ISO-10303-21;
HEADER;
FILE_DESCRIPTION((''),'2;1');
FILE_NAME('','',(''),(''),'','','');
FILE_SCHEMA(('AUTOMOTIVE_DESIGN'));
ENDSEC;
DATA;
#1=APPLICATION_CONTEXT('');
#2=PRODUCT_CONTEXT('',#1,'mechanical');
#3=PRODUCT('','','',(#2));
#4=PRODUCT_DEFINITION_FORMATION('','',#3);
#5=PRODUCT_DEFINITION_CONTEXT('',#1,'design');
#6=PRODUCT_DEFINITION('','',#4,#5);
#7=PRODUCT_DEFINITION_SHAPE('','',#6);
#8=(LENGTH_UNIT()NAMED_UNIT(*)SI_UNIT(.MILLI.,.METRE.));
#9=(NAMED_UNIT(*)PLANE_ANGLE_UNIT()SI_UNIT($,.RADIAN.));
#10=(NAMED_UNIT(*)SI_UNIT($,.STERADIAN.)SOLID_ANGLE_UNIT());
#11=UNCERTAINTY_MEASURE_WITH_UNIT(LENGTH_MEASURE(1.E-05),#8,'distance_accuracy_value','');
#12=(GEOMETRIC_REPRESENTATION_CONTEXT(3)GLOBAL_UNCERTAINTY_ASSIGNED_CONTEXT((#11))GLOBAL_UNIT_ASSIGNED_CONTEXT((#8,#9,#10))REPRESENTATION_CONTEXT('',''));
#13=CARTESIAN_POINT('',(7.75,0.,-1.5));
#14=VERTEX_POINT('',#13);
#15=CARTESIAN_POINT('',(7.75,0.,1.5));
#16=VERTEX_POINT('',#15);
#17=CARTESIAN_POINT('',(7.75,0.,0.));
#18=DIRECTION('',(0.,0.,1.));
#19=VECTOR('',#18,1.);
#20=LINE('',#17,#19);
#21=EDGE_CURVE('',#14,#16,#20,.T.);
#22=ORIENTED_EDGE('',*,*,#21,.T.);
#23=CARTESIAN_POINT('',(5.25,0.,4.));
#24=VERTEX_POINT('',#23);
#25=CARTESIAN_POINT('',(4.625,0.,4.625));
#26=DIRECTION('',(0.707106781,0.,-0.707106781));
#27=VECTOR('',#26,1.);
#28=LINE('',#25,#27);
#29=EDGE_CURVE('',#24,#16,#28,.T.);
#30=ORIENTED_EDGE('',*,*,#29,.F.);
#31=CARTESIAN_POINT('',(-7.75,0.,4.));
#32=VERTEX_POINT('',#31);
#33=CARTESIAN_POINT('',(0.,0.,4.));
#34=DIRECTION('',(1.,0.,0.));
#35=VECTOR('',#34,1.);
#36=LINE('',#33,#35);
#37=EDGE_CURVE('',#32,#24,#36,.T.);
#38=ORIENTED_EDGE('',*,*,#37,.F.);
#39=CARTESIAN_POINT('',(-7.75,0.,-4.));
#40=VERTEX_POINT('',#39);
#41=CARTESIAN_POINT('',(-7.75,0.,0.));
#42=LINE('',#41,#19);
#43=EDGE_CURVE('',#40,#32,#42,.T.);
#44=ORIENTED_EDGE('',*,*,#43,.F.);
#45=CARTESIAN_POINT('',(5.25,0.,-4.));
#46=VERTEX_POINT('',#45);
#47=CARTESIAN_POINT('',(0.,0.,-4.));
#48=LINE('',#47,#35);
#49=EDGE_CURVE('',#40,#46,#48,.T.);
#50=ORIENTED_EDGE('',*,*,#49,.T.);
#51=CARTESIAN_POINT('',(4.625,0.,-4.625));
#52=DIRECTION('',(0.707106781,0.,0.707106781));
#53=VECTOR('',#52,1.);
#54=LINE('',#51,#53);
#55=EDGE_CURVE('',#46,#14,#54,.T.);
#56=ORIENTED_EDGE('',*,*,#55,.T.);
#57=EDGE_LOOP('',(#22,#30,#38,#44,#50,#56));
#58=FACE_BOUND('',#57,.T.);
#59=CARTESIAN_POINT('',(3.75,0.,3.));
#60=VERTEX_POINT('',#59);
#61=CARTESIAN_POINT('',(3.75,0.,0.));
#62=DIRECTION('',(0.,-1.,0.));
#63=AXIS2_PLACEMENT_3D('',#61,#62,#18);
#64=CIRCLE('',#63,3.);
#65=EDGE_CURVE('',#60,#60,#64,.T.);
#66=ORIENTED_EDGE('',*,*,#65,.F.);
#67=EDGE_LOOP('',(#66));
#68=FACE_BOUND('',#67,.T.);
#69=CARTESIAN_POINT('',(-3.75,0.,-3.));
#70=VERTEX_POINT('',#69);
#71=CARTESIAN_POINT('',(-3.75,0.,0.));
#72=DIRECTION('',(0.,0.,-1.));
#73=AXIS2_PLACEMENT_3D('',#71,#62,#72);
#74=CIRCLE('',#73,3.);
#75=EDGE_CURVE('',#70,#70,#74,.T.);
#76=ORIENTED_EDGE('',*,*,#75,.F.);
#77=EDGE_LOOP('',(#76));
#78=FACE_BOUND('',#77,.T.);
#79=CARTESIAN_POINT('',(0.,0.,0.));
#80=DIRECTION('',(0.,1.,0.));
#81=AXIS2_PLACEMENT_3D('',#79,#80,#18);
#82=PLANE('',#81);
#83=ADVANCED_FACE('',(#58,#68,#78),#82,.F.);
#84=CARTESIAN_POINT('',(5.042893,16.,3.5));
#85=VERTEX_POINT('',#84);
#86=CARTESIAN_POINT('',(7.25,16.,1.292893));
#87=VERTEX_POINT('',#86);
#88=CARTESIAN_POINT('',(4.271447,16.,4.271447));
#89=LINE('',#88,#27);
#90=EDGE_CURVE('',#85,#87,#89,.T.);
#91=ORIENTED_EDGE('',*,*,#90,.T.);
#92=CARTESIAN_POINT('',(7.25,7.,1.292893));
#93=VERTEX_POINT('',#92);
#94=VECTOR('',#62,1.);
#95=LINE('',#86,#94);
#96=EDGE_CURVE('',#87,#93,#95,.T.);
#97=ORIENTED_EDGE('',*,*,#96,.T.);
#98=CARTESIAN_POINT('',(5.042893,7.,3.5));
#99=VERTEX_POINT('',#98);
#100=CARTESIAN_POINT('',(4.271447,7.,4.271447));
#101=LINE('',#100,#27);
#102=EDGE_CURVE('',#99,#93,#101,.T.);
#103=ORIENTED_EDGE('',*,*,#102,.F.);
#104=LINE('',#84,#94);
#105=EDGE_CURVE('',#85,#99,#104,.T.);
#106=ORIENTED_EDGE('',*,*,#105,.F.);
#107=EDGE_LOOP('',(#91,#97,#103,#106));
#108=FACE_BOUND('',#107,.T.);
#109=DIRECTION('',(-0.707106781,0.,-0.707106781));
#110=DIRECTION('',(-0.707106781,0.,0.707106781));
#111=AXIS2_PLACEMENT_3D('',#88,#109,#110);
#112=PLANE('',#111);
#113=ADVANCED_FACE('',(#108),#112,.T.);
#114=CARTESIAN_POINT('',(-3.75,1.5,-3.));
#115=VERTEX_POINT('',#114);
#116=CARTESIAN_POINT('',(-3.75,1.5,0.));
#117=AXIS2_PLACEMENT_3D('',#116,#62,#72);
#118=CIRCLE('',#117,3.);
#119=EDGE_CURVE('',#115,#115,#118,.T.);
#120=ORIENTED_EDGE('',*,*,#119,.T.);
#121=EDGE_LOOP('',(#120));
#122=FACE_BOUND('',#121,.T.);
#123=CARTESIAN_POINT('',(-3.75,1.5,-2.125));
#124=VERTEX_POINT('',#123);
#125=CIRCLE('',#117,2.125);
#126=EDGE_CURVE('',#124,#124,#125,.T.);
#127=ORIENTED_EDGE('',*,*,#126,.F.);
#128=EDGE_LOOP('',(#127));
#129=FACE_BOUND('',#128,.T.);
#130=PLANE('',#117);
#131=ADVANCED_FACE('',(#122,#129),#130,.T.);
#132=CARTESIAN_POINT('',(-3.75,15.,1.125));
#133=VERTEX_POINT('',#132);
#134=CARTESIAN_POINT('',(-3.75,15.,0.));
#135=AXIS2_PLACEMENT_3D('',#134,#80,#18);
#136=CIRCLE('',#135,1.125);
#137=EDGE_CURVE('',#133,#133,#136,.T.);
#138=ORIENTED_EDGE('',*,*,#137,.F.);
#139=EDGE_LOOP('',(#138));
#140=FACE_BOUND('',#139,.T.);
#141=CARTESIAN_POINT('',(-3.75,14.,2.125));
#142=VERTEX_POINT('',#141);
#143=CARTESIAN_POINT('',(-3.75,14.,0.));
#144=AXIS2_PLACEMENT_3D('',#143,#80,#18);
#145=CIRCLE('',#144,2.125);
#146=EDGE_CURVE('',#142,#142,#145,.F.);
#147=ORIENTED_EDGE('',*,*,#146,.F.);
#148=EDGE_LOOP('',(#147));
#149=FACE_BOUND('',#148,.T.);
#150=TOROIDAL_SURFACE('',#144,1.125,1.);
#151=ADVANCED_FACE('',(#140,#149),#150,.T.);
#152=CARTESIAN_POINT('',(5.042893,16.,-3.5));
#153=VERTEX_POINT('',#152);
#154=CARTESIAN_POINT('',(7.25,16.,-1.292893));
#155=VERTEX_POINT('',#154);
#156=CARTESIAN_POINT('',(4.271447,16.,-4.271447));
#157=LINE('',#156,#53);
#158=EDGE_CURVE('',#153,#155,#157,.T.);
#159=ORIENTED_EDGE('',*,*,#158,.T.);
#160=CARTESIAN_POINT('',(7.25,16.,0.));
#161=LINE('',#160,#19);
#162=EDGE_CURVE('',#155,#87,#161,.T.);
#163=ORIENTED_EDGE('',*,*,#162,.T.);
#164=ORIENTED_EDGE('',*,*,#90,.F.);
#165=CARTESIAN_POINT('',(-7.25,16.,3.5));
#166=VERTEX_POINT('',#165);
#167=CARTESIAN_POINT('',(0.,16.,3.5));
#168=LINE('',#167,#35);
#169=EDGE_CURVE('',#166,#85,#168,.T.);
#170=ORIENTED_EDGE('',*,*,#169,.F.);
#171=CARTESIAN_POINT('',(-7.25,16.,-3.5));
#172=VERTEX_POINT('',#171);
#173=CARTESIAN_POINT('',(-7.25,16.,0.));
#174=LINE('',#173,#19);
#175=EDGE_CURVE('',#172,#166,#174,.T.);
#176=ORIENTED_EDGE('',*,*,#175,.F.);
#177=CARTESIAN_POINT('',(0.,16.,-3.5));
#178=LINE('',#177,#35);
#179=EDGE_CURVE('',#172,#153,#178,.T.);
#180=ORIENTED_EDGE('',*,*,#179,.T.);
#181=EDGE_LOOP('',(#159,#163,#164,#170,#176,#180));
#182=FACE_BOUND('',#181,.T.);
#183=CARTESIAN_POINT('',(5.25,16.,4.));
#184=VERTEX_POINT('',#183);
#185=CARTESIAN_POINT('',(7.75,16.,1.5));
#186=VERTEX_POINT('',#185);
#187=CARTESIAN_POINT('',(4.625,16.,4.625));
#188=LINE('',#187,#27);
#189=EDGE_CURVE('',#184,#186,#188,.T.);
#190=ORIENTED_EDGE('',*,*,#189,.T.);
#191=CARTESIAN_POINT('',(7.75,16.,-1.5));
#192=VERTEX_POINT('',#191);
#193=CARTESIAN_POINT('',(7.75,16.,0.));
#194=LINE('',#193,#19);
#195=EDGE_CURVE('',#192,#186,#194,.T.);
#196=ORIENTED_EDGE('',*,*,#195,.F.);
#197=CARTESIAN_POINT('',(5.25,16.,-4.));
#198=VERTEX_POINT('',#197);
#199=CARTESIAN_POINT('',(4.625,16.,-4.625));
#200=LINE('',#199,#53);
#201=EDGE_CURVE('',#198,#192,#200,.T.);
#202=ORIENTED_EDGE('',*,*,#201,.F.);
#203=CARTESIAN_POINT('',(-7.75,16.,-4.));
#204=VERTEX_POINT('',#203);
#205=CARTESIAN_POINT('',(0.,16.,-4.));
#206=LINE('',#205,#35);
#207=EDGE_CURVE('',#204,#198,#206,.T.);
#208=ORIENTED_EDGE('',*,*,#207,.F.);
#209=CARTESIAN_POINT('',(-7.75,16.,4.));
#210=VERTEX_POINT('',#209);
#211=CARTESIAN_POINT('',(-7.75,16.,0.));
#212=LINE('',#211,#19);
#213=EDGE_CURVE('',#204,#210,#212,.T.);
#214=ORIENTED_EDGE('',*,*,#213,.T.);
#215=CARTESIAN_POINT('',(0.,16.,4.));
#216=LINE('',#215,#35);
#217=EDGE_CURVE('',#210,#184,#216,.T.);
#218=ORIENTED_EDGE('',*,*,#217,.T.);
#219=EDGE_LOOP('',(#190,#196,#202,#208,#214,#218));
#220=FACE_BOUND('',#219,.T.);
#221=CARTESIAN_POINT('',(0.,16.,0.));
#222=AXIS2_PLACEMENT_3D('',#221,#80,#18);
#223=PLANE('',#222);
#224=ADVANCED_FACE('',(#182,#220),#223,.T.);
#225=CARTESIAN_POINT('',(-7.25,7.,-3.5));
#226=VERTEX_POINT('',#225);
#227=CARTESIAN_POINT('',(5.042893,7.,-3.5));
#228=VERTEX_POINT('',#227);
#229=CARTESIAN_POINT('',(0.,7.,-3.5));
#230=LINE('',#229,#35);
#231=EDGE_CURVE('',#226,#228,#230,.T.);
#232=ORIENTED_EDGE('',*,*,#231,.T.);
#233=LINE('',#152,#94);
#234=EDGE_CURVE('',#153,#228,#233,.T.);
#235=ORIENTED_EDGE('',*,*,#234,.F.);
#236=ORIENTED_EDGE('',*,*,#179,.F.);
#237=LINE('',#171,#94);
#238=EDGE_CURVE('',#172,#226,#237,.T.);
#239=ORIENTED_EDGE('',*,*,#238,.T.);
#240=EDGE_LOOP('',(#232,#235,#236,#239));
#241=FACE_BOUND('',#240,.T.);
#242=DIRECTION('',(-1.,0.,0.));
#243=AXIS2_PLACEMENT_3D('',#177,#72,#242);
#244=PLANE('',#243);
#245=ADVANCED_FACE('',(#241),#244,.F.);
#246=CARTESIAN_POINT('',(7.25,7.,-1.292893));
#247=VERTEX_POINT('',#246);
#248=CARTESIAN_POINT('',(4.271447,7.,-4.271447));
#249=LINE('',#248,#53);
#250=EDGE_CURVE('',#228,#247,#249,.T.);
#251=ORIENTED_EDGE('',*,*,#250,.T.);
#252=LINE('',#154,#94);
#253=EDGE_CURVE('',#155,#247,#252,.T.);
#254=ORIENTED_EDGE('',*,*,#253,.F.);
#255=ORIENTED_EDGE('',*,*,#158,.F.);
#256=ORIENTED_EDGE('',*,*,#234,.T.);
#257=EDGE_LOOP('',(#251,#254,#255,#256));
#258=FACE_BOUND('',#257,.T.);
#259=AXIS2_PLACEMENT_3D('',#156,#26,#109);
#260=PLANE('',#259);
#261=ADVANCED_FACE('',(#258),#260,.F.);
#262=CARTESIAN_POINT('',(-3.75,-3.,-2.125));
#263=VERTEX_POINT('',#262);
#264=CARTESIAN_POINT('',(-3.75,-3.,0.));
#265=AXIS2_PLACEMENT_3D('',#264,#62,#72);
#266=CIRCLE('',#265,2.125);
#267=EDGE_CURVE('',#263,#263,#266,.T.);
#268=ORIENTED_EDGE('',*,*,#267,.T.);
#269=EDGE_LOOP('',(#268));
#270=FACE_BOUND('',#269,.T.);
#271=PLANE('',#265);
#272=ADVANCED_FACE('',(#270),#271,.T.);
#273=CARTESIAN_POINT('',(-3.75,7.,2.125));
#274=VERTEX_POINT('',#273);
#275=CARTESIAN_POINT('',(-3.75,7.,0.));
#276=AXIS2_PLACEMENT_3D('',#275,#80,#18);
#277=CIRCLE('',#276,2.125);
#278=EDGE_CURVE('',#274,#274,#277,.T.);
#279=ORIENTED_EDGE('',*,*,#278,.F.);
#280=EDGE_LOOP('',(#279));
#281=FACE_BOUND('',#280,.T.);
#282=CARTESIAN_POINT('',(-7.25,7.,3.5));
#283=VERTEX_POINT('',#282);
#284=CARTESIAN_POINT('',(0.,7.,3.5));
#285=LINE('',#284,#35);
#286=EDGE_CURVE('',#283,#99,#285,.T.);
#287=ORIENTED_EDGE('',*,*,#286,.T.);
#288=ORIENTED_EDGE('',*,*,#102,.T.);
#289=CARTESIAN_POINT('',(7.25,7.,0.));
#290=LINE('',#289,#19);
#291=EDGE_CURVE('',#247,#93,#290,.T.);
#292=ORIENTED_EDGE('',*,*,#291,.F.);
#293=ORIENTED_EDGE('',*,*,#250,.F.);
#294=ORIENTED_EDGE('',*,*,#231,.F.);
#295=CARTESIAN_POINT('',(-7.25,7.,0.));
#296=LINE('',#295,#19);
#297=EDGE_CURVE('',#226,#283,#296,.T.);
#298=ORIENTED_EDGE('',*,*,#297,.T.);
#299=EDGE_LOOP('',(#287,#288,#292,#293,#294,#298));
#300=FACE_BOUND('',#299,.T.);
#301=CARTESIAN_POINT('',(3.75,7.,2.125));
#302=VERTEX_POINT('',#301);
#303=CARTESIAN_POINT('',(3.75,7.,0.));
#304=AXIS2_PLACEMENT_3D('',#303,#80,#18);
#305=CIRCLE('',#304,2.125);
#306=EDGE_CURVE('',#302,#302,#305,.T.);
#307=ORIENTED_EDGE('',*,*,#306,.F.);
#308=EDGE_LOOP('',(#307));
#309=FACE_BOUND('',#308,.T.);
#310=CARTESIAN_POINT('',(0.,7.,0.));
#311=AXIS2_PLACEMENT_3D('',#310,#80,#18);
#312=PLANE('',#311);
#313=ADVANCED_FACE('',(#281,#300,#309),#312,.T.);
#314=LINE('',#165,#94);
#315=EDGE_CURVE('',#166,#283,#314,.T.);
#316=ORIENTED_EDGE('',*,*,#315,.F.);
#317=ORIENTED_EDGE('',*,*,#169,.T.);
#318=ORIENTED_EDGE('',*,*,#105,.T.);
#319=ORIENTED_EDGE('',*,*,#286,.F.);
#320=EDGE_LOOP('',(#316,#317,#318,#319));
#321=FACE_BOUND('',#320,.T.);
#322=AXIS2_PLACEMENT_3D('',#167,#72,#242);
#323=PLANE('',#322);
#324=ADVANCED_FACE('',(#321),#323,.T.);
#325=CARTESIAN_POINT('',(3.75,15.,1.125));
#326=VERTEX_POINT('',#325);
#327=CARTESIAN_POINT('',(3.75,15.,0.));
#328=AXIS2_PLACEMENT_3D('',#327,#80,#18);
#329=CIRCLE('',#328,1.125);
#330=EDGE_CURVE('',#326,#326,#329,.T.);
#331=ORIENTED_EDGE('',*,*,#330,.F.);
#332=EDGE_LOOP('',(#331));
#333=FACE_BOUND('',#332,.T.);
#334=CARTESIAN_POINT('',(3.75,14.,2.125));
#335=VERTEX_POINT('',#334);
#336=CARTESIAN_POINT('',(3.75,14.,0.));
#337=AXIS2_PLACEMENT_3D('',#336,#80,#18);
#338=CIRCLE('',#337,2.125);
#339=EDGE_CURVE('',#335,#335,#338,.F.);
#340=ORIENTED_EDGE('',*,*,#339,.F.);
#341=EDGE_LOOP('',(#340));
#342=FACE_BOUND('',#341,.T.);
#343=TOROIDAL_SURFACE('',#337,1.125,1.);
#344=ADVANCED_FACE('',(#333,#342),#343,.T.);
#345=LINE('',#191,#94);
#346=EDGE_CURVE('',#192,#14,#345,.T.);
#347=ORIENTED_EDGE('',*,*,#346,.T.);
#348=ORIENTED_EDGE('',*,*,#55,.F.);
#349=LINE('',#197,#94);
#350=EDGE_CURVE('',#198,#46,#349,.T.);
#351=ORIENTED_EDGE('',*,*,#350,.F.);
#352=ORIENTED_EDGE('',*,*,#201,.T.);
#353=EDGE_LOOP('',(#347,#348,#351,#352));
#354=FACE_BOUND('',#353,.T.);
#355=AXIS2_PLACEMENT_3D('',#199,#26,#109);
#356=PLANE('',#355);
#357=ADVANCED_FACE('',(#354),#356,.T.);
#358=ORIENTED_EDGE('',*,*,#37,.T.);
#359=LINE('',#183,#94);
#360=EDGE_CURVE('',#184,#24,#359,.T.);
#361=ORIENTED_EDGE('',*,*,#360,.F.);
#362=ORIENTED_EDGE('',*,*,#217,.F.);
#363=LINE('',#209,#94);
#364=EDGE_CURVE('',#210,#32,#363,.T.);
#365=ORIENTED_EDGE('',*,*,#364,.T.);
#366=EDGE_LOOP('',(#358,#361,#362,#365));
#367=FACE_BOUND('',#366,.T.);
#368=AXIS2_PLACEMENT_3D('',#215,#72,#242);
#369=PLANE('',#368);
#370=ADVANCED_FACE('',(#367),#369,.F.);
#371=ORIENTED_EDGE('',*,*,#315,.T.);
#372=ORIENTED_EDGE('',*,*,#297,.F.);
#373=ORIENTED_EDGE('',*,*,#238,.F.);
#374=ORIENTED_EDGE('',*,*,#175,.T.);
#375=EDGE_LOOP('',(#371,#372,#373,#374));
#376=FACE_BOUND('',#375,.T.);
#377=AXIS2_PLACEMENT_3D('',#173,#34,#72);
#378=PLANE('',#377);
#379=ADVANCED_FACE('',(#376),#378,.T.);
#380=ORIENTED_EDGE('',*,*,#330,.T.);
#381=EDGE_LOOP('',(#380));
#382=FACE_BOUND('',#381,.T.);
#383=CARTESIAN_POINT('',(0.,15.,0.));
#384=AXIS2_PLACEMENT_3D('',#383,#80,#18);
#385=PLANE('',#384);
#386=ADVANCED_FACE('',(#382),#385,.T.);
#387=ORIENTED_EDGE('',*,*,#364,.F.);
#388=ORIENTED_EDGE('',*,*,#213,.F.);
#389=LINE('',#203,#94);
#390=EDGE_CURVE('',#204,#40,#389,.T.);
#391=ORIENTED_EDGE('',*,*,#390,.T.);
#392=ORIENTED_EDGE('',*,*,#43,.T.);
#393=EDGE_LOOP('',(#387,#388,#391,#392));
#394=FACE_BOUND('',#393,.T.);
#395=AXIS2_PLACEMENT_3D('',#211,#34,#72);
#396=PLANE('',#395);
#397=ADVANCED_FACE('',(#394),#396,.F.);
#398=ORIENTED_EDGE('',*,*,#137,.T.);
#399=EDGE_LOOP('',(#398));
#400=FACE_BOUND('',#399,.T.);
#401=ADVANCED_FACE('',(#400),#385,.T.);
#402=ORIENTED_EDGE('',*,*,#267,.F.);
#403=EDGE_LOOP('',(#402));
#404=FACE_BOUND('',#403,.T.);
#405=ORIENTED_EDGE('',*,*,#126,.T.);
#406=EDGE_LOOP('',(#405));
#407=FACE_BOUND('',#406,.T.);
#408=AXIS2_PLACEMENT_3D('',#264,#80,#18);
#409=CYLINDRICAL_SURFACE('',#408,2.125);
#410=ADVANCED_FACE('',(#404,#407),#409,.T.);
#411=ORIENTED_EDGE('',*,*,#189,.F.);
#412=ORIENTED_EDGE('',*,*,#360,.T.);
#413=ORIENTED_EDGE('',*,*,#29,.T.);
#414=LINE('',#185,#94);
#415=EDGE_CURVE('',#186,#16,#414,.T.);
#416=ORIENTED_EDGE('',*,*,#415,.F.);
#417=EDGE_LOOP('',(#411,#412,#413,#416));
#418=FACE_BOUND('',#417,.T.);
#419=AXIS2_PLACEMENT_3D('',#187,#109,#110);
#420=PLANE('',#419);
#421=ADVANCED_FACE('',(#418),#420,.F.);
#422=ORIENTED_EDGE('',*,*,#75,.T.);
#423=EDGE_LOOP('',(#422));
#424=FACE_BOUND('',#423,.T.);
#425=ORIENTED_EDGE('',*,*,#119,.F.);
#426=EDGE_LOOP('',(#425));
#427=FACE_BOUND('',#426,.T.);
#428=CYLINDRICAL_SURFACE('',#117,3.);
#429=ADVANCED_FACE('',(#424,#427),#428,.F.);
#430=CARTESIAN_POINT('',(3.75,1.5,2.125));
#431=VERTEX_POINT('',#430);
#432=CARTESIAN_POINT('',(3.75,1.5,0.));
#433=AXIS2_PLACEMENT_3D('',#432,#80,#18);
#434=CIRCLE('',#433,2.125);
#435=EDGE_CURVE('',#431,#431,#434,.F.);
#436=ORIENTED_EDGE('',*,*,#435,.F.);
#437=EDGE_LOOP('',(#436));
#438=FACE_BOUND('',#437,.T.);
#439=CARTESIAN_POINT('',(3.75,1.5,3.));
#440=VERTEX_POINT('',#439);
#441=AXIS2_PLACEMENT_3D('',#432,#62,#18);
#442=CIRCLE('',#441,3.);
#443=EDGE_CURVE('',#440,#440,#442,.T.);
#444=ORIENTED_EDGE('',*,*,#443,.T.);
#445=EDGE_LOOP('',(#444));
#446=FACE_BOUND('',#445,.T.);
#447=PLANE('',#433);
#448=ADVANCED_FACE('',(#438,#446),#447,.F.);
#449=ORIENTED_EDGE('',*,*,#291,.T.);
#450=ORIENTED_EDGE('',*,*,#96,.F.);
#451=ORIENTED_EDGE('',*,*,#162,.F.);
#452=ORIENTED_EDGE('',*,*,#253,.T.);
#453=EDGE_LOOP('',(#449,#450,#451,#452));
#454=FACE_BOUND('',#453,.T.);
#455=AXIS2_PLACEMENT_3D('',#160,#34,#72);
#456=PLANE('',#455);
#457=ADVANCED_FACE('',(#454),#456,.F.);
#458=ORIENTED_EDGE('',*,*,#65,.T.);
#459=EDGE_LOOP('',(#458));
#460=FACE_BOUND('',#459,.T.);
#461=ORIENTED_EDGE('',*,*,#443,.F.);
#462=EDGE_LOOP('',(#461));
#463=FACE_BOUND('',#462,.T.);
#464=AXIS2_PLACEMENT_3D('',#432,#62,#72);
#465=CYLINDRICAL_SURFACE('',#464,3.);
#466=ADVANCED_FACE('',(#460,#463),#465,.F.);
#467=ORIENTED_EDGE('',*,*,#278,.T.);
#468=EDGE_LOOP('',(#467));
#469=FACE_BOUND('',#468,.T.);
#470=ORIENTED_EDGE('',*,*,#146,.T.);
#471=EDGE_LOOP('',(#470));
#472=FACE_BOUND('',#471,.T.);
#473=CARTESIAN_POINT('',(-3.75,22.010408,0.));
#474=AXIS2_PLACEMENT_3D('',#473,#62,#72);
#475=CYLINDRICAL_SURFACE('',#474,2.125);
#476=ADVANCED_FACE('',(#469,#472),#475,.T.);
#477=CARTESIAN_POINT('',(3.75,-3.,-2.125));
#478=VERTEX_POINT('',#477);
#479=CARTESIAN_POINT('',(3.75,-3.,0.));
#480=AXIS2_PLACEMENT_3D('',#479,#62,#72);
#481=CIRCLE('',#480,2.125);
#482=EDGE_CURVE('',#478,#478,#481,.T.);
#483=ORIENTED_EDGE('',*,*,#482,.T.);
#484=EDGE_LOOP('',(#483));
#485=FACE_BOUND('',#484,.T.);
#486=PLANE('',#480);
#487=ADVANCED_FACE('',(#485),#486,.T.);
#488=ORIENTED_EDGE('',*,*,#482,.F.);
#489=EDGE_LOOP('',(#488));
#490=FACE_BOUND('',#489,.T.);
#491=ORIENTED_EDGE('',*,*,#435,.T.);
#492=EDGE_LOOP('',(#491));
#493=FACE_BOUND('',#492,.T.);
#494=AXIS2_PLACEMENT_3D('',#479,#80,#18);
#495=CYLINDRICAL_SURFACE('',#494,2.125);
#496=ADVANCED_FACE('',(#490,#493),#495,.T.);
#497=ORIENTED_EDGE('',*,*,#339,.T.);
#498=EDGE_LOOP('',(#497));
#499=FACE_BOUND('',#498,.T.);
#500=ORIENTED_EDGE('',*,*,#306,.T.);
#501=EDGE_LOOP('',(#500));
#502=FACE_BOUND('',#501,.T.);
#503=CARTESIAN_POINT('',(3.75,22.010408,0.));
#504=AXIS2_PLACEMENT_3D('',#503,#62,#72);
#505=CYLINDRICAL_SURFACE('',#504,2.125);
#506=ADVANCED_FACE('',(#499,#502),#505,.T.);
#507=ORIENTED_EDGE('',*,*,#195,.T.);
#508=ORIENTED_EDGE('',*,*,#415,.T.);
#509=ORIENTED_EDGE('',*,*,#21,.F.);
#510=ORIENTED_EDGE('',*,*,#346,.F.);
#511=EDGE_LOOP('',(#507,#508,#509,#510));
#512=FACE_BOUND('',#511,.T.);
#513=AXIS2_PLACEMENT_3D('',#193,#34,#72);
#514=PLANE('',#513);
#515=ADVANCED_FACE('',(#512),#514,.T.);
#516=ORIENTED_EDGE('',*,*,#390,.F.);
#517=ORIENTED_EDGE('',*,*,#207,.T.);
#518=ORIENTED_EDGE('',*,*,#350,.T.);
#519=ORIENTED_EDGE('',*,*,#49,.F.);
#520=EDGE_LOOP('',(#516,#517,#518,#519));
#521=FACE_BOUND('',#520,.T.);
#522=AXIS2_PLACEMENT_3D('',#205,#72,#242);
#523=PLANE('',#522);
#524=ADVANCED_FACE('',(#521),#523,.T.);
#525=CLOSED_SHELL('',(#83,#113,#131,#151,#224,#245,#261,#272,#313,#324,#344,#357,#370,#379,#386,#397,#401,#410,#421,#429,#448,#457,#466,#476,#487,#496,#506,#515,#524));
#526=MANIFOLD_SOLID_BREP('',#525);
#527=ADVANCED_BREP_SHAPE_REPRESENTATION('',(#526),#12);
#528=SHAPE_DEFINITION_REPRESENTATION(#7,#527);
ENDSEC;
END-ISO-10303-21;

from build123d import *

# Parameters (mm, degrees)
BOSS_EXTRUDE1_DEPTH      = 16
SHELL1_T                 = -0.5
SHELL1_THICKNESS_2_DEPTH = 6.5
SKETCH2_R                = 3
CUT_EXTRUDE1_DEPTH       = 1.5
SKETCH3_R                = 2.125
BOSS_EXTRUDE2_DEPTH      = 4.5
SKETCH4_R                = 2.125
BOSS_EXTRUDE3_DEPTH      = 8
FILLET1_R                = 1


with BuildPart() as part:
    # Sketch1 → Boss-Extrude1 (new body)
    with BuildSketch(Plane(origin=(0, 0, 0), x_dir=(1, 0, 0), z_dir=(0, 1, 0))):
        Polygon((7.75, 1.5), (5.25, 4), (-7.75, 4), (-7.75, -4), (5.25, -4), (7.75, -1.5), align=None)
    extrude(amount=BOSS_EXTRUDE1_DEPTH)

    # Shell1
    shell1_openings = [part.faces().sort_by_distance(p)[0] for p in [
        (-0.367126681, 16, 0),
    ]]
    offset(amount=SHELL1_T, openings=shell1_openings, kind=Kind.INTERSECTION)

    # Shell1 thickness 2 face (on inner face of the shell) → Shell1 thickness 2 (add)
    with BuildSketch(Plane(origin=(-0.328403857, 0.5, 0), x_dir=(0, 0, -1), z_dir=(0, -1, 0))):
        Polygon((-1.292893219, 7.578403857), (1.292893219, 7.578403857), (3.5, 5.371297076), (3.5, -6.921596143), (-3.5, -6.921596143), (-3.5, 5.371297076), align=None)
    extrude(amount=-SHELL1_THICKNESS_2_DEPTH)

    # Sketch2 → Cut-Extrude1 (cut)
    with BuildSketch(Plane.XZ):
        with Locations(Location((-3.75, 0, 0), (0, 0, 270))):
            Circle(SKETCH2_R)
        with Locations(Location((3.75, 0, 0), (0, 0, 90))):
            Circle(SKETCH2_R)
    extrude(amount=-CUT_EXTRUDE1_DEPTH, mode=Mode.SUBTRACT)

    # Sketch3 → Boss-Extrude2 (add)
    with BuildSketch(Plane.XZ.offset(-1.5)):
        with Locations(Location((-3.75, 0, 0), (0, 0, 270))):
            Circle(SKETCH3_R)
        with Locations(Location((3.75, 0, 0), (0, 0, 90))):
            Circle(SKETCH3_R)
    extrude(amount=BOSS_EXTRUDE2_DEPTH)

    # Sketch4 → Boss-Extrude3 (add)
    with BuildSketch(Plane(origin=(0, 7, 0), x_dir=(1, 0, 0), z_dir=(0, 1, 0))):
        with Locations(Location((-3.75, 0, 0), (0, 0, 90))):
            Circle(SKETCH4_R)
        with Locations(Location((3.75, 0, 0), (0, 0, 270))):
            Circle(SKETCH4_R)
    extrude(amount=BOSS_EXTRUDE3_DEPTH)

    # Fillet1
    fillet1_edges = [part.edges().sort_by_distance(p)[0] for p in [
        (-3.75, 15, 2.125),
        (3.75, 15, -2.125),
    ]]
    fillet(fillet1_edges, radius=FILLET1_R)


solid = part.part
